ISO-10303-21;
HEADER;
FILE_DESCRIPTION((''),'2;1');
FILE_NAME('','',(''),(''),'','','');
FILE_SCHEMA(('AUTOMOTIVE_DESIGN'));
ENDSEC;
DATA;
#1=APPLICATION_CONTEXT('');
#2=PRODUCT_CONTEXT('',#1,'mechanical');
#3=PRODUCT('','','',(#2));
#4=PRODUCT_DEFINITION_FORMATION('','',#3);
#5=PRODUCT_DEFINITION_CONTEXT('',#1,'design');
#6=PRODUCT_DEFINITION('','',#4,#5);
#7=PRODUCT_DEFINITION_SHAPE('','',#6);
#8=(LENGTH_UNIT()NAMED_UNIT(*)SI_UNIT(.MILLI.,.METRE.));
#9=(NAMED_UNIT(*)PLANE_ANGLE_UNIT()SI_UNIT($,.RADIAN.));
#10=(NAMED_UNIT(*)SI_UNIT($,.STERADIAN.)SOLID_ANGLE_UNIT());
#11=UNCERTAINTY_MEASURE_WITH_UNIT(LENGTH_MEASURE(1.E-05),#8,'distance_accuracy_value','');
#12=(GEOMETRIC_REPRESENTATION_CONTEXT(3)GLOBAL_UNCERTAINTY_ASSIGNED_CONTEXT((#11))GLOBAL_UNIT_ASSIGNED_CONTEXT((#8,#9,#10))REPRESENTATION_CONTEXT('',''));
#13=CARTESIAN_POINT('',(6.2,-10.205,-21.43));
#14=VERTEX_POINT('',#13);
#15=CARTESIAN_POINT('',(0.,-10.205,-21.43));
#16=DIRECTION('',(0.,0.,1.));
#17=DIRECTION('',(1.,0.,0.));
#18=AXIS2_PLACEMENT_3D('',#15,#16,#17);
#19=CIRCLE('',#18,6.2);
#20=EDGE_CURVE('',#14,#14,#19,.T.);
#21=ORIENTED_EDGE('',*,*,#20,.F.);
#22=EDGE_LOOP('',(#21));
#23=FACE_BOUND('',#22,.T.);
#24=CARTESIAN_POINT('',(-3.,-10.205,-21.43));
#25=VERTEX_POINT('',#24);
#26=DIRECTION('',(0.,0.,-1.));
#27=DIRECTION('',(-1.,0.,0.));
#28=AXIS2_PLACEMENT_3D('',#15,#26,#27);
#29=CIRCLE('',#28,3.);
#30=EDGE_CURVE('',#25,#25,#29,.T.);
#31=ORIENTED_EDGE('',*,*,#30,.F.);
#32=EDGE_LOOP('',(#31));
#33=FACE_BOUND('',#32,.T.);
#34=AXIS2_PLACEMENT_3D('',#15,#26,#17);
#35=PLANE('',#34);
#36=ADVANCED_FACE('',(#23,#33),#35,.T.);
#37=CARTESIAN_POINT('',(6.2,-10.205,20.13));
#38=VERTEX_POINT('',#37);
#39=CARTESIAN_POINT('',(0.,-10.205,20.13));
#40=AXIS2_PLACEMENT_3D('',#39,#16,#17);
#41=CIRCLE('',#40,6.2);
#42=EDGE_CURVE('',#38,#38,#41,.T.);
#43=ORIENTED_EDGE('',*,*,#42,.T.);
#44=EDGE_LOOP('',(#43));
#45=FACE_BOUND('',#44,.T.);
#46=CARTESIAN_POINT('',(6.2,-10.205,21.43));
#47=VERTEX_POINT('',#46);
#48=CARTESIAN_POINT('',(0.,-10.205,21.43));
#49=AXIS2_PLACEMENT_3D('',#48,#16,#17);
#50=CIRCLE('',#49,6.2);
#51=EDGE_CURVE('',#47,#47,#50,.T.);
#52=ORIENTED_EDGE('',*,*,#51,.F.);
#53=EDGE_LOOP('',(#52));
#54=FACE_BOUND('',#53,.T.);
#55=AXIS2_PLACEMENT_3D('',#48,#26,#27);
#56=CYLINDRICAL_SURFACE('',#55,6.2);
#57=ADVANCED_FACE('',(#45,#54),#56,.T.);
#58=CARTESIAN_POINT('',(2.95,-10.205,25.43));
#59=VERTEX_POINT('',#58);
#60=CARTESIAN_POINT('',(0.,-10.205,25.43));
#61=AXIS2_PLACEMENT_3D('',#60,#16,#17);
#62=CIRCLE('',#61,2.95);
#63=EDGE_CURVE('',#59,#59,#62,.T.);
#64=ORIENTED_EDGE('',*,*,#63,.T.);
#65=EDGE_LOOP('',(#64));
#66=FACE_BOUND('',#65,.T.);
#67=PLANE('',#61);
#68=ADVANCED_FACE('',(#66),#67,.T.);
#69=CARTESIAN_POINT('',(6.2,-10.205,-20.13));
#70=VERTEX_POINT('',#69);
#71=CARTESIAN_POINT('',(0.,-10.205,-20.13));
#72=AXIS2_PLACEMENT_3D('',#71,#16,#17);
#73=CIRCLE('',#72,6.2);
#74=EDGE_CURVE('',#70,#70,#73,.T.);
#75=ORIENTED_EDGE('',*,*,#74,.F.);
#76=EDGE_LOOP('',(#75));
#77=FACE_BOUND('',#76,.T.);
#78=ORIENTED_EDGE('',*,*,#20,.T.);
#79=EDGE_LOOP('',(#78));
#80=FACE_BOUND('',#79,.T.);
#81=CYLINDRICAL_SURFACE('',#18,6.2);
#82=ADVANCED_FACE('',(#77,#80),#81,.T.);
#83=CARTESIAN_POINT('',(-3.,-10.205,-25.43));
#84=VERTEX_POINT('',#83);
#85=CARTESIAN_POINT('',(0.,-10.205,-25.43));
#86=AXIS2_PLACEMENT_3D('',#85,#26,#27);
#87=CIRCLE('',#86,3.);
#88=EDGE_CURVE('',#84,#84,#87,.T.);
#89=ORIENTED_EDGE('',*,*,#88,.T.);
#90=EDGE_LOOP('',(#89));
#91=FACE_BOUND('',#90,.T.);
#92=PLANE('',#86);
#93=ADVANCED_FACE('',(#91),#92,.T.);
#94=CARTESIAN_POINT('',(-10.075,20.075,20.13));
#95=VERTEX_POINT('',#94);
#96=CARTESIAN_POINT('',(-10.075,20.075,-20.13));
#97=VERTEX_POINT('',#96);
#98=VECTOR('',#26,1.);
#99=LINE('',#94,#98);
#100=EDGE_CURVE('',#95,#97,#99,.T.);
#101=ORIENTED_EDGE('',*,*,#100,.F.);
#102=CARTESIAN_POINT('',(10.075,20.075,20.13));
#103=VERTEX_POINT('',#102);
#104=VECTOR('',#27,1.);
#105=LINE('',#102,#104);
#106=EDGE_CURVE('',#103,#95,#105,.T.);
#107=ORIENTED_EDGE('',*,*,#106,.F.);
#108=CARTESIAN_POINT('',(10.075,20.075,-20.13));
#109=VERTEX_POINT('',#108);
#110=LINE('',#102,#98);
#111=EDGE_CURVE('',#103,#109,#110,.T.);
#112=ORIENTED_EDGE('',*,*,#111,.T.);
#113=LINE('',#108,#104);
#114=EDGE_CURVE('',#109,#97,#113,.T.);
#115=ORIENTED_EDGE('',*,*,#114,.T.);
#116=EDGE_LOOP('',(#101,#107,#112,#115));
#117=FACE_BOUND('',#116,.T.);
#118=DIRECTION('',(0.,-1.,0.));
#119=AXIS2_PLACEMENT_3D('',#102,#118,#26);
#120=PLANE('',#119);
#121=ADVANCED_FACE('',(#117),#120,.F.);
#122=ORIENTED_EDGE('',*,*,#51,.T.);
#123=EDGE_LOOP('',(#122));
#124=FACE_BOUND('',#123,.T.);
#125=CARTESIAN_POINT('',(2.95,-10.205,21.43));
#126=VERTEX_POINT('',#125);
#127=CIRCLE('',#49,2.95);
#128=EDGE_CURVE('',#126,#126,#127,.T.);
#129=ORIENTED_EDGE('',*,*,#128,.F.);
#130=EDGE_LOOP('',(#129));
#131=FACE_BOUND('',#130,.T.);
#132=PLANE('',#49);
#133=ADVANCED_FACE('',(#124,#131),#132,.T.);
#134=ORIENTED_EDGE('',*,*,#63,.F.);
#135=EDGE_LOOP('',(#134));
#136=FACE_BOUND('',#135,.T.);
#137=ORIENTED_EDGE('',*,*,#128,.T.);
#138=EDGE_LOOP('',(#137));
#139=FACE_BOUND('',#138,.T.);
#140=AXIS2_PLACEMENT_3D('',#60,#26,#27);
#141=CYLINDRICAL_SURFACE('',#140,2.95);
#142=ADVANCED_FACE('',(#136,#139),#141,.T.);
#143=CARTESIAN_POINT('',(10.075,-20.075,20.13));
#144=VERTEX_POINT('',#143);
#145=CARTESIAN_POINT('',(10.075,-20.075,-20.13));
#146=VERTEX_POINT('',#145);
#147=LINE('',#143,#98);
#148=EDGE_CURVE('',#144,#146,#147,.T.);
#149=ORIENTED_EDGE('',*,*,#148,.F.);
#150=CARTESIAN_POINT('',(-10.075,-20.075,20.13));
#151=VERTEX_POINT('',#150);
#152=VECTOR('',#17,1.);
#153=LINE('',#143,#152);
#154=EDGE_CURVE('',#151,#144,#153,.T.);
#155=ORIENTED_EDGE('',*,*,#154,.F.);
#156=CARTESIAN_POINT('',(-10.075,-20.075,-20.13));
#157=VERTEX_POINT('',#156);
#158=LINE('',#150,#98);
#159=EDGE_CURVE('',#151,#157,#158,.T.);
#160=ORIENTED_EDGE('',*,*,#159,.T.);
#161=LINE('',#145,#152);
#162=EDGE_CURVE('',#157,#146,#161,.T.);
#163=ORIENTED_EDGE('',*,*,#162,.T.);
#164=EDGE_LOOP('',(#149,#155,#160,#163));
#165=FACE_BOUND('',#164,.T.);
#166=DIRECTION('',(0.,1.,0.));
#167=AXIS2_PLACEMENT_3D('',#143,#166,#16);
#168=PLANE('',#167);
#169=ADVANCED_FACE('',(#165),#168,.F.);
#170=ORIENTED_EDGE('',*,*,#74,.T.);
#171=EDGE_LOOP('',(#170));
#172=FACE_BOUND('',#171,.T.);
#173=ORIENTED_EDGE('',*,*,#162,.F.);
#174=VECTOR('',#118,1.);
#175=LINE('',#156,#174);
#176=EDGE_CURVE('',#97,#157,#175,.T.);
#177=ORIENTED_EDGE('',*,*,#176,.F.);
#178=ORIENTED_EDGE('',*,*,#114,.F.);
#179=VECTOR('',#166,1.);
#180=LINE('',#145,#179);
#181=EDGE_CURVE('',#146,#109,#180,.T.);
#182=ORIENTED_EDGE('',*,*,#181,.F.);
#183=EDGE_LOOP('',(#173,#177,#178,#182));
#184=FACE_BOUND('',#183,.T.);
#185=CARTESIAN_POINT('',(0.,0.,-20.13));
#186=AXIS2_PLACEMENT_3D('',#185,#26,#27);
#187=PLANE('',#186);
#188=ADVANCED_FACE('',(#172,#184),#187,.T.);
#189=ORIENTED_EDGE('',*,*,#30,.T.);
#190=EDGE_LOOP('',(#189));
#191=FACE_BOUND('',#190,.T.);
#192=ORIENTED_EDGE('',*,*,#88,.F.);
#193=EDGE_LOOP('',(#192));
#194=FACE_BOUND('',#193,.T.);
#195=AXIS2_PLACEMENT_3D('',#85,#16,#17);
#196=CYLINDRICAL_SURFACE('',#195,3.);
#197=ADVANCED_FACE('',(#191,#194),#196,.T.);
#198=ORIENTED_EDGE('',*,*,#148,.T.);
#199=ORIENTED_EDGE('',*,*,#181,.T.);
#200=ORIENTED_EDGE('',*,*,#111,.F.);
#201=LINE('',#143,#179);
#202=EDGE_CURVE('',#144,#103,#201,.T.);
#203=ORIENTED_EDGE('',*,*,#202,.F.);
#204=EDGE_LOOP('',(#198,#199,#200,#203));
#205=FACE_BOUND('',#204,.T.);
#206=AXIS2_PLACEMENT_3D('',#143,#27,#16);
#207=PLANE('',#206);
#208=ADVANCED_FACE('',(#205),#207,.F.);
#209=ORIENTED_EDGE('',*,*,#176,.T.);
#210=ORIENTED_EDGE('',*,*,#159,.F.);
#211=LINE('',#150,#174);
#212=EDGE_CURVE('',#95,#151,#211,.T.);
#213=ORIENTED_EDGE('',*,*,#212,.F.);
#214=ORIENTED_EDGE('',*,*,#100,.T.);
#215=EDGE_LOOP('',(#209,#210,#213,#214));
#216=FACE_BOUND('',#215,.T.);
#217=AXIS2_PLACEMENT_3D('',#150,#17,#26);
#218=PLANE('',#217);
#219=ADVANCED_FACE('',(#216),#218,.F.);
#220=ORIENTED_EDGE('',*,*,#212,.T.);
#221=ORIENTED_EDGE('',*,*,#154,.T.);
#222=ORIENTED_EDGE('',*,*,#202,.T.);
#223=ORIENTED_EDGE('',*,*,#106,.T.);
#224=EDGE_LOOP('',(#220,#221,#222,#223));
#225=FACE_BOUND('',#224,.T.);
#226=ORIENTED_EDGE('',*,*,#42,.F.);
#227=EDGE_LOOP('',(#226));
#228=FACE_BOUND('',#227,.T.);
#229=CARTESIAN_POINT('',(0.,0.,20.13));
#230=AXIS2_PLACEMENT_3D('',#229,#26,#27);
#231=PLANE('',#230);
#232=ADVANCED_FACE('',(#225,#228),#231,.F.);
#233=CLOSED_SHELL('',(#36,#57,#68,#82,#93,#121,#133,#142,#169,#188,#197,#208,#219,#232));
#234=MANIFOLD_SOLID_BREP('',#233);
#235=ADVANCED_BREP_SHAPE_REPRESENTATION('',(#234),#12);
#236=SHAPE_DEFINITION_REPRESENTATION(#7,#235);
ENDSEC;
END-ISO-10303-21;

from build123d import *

# Parameters (mm, degrees)
SKETCH1_W           = 40.15
SKETCH1_H           = 20.15
BOSS_EXTRUDE1_DEPTH = 20.13
SKETCH2_R           = 6.2
BOSS_EXTRUDE2_DEPTH = 1.3
SKETCH3_R           = 3
BOSS_EXTRUDE3_DEPTH = 4
SKETCH7_R           = 2.95
BOSS_EXTRUDE4_DEPTH = 4


with BuildPart() as part:
    # Sketch1 → Boss-Extrude1 (new, symmetric)
    with BuildSketch(Plane(origin=(0, 0, 0), x_dir=(0, 1, 0), z_dir=(0, 0, 1))):
        Rectangle(SKETCH1_W, SKETCH1_H)
    extrude(amount=BOSS_EXTRUDE1_DEPTH, both=True)

    # Sketch2 → Boss-Extrude2 (add)
    with BuildSketch(Plane.XY.offset(20.13)):
        with Locations((0, -10.205)):
            Circle(SKETCH2_R)
    boss_extrude2 = extrude(amount=BOSS_EXTRUDE2_DEPTH)

    # Mirror1: Boss-Extrude2 across plane
    add(boss_extrude2.mirror(Plane.XY))

    # Sketch3 → Boss-Extrude3 (add)
    with BuildSketch(Plane(origin=(0, 0, -21.43), x_dir=(1, 0, 0), z_dir=(0, 0, -1))):
        with Locations(Location((0, 10.205, 0), (0, 0, 180))):
            Circle(SKETCH3_R)
    extrude(amount=BOSS_EXTRUDE3_DEPTH)

    # Sketch7 → Boss-Extrude4 (add)
    with BuildSketch(Plane.XY.offset(21.43)):
        with Locations((0, -10.205)):
            Circle(SKETCH7_R)
    extrude(amount=BOSS_EXTRUDE4_DEPTH)


solid = part.part
